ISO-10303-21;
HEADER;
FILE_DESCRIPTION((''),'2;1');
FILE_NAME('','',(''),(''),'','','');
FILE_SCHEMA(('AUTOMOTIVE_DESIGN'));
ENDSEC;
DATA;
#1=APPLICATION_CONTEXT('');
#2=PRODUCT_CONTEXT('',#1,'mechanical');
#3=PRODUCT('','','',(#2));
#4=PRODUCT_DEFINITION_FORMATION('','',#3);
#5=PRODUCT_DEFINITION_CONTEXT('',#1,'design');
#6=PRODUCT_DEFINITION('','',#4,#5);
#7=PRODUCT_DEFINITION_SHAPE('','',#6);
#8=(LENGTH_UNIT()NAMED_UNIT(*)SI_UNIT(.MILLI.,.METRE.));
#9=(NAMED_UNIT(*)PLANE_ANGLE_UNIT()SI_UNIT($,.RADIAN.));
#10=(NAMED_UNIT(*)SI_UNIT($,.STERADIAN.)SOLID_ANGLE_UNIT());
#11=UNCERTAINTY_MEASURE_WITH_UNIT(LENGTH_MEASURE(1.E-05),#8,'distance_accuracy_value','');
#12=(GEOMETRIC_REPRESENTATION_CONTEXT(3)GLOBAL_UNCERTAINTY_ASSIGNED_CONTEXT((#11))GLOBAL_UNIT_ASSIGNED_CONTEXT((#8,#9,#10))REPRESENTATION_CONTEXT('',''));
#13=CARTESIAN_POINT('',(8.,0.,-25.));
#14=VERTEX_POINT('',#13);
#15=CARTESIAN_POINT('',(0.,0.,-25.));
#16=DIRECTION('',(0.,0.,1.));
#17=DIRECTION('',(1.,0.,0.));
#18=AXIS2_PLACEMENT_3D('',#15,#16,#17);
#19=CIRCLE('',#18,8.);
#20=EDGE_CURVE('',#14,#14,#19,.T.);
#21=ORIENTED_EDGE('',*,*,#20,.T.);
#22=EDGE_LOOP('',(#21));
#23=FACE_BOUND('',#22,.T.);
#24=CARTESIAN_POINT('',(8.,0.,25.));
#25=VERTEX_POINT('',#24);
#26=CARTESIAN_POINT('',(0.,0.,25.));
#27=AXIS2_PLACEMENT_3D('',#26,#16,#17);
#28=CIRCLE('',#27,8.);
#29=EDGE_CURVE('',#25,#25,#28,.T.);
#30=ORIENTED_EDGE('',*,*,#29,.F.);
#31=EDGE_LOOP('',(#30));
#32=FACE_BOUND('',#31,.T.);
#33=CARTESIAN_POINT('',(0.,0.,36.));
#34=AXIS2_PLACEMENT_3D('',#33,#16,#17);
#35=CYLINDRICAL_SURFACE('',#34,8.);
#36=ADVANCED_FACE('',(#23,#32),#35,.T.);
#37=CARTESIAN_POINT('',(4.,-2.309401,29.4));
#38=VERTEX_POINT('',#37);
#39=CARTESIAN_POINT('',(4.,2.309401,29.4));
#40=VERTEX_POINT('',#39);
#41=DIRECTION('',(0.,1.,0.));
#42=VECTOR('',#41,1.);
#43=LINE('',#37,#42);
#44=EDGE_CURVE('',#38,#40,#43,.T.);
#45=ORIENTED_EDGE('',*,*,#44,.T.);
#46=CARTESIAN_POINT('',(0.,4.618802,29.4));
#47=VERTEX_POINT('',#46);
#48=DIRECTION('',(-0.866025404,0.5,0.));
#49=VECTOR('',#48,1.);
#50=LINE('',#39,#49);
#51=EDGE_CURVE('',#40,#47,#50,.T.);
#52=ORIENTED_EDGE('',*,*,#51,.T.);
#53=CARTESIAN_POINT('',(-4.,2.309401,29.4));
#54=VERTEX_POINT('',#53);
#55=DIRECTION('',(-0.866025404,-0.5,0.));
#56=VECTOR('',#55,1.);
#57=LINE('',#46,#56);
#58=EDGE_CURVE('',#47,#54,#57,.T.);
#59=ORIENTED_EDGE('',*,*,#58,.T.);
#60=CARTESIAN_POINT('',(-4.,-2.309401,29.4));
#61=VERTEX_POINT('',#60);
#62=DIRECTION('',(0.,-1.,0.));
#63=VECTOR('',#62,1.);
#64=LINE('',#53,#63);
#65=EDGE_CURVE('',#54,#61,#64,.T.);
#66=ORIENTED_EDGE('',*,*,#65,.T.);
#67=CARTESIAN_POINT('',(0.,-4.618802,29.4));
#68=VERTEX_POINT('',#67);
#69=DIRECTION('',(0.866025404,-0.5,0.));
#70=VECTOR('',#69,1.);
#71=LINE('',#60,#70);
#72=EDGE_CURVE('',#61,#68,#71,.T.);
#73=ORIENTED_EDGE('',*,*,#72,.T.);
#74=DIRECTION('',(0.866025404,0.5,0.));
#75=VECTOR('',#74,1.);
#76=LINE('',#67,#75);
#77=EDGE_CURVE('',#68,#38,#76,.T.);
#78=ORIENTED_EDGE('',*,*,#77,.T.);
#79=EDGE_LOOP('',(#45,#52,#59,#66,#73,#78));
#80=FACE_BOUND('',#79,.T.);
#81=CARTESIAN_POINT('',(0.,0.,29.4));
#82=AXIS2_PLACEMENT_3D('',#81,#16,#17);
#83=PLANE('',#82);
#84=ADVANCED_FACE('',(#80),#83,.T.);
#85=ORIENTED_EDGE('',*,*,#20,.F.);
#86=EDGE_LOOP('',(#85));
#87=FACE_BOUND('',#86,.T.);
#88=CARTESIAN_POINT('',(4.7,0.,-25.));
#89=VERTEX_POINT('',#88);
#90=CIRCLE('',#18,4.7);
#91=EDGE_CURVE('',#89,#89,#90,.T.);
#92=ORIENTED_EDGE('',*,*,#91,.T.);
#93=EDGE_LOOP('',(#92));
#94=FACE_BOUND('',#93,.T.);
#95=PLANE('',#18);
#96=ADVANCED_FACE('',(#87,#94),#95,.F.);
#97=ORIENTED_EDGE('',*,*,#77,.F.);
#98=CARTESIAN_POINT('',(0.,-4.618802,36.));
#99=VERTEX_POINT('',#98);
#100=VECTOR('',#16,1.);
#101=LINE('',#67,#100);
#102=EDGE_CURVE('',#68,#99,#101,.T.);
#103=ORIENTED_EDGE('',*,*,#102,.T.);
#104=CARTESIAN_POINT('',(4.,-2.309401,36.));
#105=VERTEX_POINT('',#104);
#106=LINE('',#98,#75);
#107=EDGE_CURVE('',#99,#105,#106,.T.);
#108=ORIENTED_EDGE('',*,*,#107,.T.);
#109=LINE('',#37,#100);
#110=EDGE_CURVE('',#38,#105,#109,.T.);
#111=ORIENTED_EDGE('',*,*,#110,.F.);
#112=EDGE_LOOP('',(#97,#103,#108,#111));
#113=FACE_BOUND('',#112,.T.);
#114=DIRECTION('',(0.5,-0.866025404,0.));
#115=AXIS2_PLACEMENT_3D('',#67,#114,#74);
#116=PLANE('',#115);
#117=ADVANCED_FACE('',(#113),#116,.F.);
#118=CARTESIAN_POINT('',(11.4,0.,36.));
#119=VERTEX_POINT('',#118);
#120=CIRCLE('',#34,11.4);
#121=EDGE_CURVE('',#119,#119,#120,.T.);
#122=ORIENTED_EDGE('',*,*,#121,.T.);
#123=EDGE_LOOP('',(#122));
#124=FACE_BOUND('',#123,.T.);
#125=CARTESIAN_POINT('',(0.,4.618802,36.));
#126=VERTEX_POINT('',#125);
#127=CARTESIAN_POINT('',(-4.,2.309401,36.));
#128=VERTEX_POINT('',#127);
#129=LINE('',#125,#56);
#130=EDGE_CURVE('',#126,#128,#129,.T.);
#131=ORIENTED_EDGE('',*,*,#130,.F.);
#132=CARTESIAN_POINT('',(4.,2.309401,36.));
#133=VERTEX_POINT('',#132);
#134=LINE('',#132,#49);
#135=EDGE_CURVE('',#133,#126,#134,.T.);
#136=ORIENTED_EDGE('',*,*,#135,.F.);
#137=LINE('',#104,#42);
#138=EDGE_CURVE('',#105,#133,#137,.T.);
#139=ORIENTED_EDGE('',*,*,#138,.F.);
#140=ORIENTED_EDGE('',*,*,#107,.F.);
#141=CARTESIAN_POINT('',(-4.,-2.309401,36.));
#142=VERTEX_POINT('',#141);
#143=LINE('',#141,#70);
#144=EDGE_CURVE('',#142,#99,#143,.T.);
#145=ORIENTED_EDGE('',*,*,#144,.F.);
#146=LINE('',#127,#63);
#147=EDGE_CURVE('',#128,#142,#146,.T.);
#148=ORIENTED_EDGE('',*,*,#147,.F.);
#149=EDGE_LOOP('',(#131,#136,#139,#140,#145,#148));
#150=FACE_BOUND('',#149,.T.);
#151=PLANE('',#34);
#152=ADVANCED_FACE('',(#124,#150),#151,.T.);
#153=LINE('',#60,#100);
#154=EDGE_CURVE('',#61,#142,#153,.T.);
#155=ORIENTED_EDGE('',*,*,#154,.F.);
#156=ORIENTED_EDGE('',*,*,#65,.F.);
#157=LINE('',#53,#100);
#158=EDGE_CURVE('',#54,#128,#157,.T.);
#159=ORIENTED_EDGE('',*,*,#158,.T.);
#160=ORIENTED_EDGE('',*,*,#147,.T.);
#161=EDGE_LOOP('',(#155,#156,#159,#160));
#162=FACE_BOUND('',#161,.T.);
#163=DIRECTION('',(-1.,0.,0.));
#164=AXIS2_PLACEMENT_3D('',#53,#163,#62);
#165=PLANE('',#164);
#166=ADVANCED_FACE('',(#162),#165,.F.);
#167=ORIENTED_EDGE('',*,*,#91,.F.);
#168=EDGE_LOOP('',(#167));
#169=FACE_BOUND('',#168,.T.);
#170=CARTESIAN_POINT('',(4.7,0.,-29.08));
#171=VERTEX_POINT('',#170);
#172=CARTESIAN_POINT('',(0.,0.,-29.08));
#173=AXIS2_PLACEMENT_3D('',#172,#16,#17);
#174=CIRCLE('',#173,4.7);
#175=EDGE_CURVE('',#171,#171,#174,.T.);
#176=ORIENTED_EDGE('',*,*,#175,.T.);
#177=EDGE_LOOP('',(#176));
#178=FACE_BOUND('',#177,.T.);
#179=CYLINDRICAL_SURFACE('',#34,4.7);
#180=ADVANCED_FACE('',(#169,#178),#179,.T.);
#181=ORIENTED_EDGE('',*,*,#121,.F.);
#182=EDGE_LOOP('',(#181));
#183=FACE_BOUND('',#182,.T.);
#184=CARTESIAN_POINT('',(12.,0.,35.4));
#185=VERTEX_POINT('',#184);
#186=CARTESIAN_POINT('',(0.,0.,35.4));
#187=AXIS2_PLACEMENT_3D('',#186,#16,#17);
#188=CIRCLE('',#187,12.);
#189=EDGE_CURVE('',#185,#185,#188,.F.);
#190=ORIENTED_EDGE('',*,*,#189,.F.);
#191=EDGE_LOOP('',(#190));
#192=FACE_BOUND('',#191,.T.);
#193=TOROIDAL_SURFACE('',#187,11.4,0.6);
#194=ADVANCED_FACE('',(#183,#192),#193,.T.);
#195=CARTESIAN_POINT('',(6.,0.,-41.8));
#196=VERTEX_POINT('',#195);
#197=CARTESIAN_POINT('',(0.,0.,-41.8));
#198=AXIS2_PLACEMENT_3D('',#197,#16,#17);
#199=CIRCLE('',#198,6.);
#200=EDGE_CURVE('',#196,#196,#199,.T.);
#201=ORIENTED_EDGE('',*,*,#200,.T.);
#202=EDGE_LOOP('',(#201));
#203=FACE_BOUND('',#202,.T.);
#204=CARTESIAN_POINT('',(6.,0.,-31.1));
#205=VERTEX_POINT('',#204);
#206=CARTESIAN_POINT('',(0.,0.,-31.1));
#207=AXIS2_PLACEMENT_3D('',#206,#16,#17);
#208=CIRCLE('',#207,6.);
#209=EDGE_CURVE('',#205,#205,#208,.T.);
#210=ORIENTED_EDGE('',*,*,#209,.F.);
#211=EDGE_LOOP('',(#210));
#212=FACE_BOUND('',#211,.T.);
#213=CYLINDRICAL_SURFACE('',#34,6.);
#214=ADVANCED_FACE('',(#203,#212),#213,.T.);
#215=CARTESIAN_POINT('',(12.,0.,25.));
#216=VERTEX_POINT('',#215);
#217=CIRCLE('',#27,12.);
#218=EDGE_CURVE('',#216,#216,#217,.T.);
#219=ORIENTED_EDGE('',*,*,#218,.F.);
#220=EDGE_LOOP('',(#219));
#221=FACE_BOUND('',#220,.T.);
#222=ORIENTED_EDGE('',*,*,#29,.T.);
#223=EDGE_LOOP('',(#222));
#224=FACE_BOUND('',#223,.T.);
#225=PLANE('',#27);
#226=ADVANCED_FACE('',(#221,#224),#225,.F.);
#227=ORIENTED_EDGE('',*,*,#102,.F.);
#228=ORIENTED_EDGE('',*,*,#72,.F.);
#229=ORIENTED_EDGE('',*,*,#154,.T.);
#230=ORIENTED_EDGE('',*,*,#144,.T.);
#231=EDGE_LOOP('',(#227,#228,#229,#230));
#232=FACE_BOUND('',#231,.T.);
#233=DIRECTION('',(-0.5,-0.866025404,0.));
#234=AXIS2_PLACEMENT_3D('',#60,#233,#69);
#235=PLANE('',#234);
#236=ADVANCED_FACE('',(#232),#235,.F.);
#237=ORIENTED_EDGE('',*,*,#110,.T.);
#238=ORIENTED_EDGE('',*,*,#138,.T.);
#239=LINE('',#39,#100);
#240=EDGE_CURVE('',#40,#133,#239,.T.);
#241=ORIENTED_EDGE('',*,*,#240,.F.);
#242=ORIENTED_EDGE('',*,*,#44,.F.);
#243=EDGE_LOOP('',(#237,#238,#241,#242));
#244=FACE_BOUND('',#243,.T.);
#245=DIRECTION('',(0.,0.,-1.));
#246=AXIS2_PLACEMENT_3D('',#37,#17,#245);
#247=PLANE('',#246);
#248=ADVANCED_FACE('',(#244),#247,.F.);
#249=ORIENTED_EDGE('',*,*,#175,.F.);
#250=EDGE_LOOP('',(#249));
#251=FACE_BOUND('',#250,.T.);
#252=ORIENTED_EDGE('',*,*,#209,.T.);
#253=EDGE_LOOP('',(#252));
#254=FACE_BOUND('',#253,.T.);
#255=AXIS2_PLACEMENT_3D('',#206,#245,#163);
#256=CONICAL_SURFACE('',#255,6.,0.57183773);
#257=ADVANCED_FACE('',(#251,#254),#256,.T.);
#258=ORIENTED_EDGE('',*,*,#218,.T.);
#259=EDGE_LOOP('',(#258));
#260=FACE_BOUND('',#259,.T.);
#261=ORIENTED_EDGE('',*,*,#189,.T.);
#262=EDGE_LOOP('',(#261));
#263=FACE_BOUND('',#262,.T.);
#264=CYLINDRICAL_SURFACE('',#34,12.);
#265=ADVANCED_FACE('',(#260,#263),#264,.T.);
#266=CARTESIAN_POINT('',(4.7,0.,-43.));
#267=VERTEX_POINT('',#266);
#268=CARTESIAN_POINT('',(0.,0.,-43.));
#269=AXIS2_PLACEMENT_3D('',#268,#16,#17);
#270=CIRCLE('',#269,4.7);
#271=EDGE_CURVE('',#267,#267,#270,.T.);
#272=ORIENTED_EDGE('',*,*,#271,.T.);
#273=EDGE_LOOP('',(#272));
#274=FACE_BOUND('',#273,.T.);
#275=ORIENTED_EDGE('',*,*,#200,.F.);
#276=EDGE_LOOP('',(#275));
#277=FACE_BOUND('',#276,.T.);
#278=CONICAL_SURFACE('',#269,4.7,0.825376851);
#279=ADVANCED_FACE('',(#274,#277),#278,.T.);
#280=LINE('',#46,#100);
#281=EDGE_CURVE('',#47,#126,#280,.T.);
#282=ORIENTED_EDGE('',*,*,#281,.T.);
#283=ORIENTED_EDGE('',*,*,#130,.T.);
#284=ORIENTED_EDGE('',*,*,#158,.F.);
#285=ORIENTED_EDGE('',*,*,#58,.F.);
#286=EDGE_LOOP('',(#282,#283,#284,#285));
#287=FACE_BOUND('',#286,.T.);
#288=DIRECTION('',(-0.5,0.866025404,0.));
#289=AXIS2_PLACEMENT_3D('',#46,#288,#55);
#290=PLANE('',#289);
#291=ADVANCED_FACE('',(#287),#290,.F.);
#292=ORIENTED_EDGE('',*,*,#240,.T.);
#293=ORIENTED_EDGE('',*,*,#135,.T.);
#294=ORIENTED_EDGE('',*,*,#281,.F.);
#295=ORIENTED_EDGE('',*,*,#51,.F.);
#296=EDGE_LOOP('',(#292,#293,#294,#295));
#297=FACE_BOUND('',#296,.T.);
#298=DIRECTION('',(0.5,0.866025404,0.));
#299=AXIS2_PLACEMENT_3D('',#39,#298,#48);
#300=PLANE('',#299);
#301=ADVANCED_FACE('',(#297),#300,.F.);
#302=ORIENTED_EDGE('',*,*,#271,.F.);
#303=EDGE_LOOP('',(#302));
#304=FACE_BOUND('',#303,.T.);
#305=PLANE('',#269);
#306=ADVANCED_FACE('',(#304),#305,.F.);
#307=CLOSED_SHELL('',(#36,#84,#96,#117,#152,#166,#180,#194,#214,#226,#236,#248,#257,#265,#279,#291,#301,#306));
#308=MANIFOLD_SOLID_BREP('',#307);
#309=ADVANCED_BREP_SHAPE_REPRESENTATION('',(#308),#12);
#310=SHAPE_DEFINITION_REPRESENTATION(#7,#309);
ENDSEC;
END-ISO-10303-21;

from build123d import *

# Parameters (mm, degrees)
SZKIC1_W                   = 4.7
SZKIC1_H                   = 4.08
WYTNIJ_WYCI_GNI_CIE1_DEPTH = 6.6
ZAOKR_GLENIE1_R            = 0.6


with BuildPart() as part:
    # Szkic1 → Obrót1 (revolve)
    with BuildSketch(Plane(origin=(0, 0, 0), x_dir=(1, 0, 0), z_dir=(0, 1, 0)), mode=Mode.PRIVATE) as obr_t1_sk:
        Polygon((0, -36), (0, -25), (-8, -25), (-12, -25), (-12, -36), align=None)
        Polygon((0, -25), (0, 25), (-4.7, 25), (-8, 25), (-8, -25), align=None)
        with Locations((-2.35, 27.04)):
            Rectangle(SZKIC1_W, SZKIC1_H)
        Polygon((-4.7, 29.08), (0, 29.08), (0, 43), (-4.7, 43), (-6, 41.8), (-6, 31.1), align=None)
    revolve(obr_t1_sk.sketch.rotate(Axis((0, 0, 36), (0, 0, -1)), 180), axis=Axis((0, 0, 36), (0, 0, -1)))

    # Szkic2 → Wytnij-wyciągnięcie1 (cut)
    with BuildSketch(Plane.XY.offset(36)):
        Polygon((4, 2.309401077), (0, 4.618802154), (-4, 2.309401077), (-4, -2.309401077), (0, -4.618802154), (4, -2.309401077), align=None)
    extrude(amount=-WYTNIJ_WYCI_GNI_CIE1_DEPTH, mode=Mode.SUBTRACT)

    # Zaokrąglenie1
    zaokr_glenie1_edges = [part.edges().sort_by_distance(p)[0] for p in [
        (-12, 0, 36),
    ]]
    fillet(zaokr_glenie1_edges, radius=ZAOKR_GLENIE1_R)


solid = part.part
